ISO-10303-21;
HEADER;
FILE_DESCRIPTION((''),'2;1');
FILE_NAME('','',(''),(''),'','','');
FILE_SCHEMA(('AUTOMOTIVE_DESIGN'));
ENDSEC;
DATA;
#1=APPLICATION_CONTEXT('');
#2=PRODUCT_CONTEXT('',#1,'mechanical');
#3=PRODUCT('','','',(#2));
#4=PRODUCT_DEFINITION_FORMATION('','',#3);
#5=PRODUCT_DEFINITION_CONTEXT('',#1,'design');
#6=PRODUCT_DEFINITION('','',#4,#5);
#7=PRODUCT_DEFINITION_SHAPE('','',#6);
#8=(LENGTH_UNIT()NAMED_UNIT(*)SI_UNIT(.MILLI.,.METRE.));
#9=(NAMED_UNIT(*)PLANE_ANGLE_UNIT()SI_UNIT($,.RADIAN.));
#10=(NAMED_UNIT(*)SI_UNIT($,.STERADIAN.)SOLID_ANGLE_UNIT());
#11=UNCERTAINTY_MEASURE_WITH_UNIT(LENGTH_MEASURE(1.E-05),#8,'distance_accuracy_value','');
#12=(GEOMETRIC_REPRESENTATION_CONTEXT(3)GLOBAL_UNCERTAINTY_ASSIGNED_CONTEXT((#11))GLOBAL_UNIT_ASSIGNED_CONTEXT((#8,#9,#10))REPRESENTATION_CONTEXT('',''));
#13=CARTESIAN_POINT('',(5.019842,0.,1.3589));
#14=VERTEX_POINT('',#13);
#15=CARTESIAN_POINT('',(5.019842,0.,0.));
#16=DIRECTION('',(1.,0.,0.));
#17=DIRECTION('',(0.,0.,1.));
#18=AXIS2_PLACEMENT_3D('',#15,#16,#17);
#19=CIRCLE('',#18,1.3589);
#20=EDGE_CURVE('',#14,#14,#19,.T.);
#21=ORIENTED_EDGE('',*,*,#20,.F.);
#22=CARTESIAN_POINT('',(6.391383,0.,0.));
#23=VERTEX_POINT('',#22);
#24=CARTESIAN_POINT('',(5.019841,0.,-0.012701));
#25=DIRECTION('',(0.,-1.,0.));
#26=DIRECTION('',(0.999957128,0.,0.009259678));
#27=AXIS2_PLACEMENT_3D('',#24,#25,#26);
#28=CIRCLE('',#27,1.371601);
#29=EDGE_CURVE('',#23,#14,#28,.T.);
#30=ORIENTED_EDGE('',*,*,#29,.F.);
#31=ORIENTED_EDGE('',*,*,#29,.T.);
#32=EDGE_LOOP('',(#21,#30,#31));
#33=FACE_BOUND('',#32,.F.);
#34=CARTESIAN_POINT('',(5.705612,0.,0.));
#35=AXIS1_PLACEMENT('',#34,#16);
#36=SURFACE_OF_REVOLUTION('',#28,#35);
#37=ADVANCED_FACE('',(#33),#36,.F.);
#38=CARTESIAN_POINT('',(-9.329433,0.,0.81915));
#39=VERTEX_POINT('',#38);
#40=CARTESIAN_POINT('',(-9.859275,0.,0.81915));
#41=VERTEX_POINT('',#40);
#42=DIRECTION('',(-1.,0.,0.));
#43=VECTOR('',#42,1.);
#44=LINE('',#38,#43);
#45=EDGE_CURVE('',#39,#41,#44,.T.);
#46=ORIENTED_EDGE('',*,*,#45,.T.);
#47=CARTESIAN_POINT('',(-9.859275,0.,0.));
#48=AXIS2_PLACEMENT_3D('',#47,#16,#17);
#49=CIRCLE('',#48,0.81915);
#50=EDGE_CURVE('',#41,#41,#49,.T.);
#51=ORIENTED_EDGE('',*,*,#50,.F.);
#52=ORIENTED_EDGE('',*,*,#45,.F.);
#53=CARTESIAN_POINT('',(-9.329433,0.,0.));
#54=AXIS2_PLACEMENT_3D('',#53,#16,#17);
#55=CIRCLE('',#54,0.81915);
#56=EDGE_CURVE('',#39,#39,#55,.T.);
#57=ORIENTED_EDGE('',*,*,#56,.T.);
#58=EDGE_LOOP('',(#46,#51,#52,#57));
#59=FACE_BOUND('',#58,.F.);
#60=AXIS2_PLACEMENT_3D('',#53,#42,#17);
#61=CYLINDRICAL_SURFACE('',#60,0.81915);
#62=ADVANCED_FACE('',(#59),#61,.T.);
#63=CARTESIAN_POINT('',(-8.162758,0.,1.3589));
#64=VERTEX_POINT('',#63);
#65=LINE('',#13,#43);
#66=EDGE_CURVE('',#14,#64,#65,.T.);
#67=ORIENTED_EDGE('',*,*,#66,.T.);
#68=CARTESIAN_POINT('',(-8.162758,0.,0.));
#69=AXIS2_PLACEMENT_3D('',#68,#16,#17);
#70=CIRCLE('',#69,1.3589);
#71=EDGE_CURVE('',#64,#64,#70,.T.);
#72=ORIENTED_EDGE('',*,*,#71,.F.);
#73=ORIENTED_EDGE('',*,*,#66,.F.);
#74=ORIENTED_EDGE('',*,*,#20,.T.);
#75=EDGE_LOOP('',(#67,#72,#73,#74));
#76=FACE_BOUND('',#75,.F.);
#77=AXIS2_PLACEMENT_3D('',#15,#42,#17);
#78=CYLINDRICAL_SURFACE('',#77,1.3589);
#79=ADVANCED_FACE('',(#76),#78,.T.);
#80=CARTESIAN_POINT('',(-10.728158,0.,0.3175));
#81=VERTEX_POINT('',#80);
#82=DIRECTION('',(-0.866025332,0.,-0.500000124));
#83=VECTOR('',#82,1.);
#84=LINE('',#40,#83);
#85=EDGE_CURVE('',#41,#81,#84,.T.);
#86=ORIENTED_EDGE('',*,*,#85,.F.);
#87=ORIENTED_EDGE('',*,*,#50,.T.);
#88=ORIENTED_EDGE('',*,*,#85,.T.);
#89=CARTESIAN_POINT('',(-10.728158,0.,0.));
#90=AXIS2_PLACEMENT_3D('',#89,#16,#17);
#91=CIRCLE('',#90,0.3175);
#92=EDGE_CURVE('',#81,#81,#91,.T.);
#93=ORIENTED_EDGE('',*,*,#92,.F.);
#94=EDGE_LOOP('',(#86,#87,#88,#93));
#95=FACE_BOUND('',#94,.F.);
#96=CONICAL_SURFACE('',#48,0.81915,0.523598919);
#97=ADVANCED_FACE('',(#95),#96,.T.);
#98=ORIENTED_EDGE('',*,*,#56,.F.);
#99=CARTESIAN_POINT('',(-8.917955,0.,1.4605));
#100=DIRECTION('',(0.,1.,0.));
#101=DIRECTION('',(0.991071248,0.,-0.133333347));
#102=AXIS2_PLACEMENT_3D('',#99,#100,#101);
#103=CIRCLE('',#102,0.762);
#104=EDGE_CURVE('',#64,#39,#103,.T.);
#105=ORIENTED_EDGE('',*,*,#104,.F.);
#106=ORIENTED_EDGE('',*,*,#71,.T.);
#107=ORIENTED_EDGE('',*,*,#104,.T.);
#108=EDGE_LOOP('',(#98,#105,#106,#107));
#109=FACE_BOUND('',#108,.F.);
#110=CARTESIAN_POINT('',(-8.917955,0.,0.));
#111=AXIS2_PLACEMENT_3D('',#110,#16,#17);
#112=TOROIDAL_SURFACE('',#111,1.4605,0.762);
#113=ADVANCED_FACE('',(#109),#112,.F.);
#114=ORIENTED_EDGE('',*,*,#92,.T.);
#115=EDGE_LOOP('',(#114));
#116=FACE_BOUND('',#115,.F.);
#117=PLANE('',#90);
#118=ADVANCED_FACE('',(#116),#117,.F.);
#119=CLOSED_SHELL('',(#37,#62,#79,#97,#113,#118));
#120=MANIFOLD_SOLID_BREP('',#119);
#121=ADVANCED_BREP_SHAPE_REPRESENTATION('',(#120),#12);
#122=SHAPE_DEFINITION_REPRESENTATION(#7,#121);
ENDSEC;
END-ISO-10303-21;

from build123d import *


with BuildPart() as f1:
    # F0 (on Front) → F1 (revolve)
    with BuildSketch(Plane.XZ):
        with BuildLine():
            Line((-10.728158, 0), (5.019842, 0))
            Line((5.019842, 0), (5.019842, 1.3589))
            Line((5.019842, 1.3589), (-8.162758, 1.3589))
            ThreePointArc((-8.162758, 1.3589), (-8.598004, 0.768925), (-9.329433, 0.81915))
            Line((-9.329433, 0.81915), (-9.859275, 0.81915))
            Line((-9.859275, 0.81915), (-10.728158, 0.3175))
            Line((-10.728158, 0.3175), (-10.728158, 0))
        make_face()
        with BuildLine():
            Line((5.019842, 1.3589), (5.019842, 0))
            Line((5.019842, 0), (6.391383, 0))
            ThreePointArc((6.391383, 0), (5.985209, 0.961647), (5.019842, 1.3589))
        make_face()
    revolve(axis=Axis((5.705612, 0, 0), (1, 0, 0)))


solid = f1.part
